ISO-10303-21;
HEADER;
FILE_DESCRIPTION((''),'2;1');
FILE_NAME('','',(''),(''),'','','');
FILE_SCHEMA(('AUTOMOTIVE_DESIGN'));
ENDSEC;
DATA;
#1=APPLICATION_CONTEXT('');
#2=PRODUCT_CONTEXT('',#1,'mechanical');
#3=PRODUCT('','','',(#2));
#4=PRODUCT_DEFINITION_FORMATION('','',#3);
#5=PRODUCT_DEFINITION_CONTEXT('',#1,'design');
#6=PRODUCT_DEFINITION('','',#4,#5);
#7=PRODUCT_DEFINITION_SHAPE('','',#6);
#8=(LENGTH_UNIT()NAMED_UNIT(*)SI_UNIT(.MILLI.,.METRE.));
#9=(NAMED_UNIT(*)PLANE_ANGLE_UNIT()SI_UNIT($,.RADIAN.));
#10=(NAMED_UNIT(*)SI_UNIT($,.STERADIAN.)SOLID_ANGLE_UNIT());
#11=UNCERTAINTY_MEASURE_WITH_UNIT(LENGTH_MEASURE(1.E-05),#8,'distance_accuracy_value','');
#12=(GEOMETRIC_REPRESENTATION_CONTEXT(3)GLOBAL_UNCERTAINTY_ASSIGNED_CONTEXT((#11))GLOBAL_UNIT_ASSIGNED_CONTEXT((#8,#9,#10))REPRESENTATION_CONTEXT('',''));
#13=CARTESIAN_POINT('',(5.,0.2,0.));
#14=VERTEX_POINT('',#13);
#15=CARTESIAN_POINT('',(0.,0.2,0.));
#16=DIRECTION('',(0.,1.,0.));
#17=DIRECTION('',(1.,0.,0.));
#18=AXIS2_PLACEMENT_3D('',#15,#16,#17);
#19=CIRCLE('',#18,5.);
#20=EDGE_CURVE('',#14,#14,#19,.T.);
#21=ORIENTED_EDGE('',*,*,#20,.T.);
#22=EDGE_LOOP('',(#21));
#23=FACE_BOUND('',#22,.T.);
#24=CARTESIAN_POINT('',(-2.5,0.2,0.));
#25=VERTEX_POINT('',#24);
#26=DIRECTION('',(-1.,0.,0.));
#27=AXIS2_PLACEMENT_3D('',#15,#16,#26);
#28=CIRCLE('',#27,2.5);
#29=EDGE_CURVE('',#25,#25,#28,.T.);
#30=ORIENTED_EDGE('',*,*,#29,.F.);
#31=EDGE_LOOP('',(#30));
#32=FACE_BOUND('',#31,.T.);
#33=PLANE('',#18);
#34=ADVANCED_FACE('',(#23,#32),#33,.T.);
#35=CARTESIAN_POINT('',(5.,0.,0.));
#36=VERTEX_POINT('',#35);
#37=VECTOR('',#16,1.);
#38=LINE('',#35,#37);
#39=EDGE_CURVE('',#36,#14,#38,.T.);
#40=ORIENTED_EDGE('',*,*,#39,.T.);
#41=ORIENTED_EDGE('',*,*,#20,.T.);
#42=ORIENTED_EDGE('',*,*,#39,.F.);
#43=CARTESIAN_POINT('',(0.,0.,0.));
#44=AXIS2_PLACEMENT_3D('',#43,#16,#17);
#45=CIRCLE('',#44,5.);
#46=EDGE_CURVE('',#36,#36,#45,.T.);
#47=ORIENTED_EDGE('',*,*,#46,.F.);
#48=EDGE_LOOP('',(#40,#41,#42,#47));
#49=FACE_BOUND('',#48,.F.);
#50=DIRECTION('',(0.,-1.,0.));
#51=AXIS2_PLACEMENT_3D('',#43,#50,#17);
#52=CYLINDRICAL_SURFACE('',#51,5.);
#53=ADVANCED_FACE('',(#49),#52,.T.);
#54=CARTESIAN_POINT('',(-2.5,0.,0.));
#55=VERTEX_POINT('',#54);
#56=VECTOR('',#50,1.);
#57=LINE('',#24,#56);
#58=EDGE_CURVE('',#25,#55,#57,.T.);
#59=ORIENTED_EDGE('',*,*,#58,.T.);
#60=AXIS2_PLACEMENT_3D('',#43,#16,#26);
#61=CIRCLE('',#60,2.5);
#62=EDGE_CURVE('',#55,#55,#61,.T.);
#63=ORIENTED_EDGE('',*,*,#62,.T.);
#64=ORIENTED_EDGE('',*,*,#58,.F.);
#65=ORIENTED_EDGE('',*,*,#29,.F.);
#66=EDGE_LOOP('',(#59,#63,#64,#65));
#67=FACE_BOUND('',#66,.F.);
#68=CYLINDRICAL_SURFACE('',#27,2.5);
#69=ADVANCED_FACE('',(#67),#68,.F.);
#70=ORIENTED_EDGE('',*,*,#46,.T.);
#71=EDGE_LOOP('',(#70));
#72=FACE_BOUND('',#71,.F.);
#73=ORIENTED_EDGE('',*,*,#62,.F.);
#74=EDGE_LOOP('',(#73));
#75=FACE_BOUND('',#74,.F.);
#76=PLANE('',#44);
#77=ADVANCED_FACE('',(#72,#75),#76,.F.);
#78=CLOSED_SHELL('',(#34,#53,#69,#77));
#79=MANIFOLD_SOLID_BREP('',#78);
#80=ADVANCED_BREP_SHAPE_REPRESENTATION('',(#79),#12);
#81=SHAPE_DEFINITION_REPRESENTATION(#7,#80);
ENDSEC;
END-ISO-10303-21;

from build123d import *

# Parameters (mm, degrees)
SKETCH1_R           = 5
BOSS_EXTRUDE1_DEPTH = 0.2
SKETCH5_R           = 2.5
CUT_EXTRUDE1_DEPTH  = 1.2


with BuildPart() as part:
    # Sketch1 → Boss-Extrude1 (new body)
    with BuildSketch(Plane(origin=(0, 0, 0), x_dir=(1, 0, 0), z_dir=(0, 1, 0))):
        Circle(SKETCH1_R)
    extrude(amount=BOSS_EXTRUDE1_DEPTH)

    # Sketch5 → Cut-Extrude1 (cut, through all)
    with BuildSketch(Plane(origin=(0, 0.2, 0), x_dir=(-1, 0, 0), z_dir=(0, 1, 0))):
        Circle(SKETCH5_R)
    extrude(amount=-CUT_EXTRUDE1_DEPTH, mode=Mode.SUBTRACT)


solid = part.part
